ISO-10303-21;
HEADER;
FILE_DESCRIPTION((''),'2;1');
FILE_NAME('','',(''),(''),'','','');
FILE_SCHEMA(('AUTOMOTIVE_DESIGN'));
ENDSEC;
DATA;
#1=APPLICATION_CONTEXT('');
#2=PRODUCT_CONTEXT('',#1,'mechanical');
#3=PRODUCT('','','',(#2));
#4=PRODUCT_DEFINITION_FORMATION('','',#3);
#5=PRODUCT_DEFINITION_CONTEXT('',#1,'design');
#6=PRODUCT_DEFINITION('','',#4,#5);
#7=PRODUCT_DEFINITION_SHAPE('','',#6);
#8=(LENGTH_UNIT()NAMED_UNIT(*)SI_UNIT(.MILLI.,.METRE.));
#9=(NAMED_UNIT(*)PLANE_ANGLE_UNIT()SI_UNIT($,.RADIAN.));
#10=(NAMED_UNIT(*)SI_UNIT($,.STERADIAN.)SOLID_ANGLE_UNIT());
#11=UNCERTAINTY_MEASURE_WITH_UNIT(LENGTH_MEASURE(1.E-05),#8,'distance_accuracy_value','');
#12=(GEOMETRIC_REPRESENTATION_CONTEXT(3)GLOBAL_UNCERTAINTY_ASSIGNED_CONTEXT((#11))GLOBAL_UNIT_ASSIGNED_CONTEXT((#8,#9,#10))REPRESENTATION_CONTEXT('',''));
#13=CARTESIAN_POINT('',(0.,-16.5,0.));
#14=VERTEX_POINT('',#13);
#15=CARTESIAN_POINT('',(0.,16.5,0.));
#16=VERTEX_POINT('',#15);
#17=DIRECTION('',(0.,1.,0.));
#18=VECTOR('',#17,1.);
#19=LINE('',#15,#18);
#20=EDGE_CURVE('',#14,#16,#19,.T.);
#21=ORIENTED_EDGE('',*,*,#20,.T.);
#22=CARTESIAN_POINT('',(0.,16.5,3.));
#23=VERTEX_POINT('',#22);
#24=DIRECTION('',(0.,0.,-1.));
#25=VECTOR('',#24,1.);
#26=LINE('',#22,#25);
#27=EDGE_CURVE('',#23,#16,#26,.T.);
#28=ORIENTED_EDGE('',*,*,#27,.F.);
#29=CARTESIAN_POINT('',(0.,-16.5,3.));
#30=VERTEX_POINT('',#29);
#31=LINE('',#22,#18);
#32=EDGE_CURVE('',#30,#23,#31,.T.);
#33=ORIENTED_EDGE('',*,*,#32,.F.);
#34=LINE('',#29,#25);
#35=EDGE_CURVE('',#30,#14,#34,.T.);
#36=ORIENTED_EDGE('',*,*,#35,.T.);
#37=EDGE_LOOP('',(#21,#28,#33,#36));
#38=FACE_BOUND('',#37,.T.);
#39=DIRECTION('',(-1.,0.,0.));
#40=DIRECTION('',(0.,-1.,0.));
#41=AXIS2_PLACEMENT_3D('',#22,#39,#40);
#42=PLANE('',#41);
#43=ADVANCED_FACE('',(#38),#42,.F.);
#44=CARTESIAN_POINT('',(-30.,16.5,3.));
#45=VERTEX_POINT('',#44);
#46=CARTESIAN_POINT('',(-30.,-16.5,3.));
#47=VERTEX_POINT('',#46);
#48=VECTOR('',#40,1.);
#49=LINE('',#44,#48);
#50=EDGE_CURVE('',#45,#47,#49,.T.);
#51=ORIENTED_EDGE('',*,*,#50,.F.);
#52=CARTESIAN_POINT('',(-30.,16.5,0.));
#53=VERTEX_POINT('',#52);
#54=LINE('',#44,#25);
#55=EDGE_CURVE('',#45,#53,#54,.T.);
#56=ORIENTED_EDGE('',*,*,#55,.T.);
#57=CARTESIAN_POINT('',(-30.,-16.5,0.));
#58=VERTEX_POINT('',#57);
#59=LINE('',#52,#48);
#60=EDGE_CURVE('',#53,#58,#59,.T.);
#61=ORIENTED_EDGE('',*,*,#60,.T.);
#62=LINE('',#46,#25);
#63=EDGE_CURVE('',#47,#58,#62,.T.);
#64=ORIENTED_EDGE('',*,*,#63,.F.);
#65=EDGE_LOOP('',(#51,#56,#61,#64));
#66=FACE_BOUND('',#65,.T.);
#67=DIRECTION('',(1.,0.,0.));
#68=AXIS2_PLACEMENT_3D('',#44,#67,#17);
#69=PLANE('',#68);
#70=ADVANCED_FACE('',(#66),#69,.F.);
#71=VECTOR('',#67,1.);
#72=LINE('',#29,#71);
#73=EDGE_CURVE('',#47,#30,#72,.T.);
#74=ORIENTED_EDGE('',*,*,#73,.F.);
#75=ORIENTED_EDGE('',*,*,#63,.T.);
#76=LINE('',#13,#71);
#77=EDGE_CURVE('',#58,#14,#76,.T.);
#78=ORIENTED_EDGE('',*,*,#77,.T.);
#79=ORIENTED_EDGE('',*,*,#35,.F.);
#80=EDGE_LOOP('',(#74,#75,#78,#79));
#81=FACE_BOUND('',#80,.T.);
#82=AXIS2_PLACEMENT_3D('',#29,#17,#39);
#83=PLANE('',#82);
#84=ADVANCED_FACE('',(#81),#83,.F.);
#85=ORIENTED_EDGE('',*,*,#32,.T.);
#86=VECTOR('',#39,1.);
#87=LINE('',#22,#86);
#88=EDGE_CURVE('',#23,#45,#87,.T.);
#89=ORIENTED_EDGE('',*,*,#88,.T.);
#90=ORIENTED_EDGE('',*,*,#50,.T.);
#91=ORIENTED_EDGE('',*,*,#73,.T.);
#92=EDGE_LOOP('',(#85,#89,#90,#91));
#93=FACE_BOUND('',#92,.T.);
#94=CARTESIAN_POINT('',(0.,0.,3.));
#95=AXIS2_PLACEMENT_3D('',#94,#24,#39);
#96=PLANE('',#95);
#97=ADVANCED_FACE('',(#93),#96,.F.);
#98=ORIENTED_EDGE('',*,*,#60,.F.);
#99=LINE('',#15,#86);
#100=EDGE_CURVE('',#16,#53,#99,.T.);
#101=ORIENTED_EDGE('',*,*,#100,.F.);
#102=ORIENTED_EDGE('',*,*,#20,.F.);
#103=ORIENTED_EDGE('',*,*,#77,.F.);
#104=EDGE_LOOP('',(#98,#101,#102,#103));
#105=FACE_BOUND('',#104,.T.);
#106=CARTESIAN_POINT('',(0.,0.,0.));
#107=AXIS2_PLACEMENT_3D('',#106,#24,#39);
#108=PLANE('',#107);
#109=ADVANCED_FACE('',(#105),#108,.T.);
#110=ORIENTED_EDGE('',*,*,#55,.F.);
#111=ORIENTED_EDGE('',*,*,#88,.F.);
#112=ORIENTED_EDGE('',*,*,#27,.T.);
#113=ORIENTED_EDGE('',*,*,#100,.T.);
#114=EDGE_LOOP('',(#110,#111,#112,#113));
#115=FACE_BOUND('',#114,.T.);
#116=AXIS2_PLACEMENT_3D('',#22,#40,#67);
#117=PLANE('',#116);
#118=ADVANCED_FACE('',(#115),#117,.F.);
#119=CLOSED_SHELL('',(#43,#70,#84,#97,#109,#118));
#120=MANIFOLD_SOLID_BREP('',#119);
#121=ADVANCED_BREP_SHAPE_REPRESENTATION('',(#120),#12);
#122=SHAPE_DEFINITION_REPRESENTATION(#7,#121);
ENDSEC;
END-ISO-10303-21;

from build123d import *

# Parameters (mm, degrees)
SKETCH_1_W      = 30
SKETCH_1_H      = 33
EXTRUDE_1_DEPTH = 3


with BuildPart() as part:
    # 草图1 → 凸台-拉伸1 (new body)
    with BuildSketch(Plane.XY):
        with Locations((-15, 0)):
            Rectangle(SKETCH_1_W, SKETCH_1_H)
    extrude(amount=EXTRUDE_1_DEPTH)


solid = part.part
